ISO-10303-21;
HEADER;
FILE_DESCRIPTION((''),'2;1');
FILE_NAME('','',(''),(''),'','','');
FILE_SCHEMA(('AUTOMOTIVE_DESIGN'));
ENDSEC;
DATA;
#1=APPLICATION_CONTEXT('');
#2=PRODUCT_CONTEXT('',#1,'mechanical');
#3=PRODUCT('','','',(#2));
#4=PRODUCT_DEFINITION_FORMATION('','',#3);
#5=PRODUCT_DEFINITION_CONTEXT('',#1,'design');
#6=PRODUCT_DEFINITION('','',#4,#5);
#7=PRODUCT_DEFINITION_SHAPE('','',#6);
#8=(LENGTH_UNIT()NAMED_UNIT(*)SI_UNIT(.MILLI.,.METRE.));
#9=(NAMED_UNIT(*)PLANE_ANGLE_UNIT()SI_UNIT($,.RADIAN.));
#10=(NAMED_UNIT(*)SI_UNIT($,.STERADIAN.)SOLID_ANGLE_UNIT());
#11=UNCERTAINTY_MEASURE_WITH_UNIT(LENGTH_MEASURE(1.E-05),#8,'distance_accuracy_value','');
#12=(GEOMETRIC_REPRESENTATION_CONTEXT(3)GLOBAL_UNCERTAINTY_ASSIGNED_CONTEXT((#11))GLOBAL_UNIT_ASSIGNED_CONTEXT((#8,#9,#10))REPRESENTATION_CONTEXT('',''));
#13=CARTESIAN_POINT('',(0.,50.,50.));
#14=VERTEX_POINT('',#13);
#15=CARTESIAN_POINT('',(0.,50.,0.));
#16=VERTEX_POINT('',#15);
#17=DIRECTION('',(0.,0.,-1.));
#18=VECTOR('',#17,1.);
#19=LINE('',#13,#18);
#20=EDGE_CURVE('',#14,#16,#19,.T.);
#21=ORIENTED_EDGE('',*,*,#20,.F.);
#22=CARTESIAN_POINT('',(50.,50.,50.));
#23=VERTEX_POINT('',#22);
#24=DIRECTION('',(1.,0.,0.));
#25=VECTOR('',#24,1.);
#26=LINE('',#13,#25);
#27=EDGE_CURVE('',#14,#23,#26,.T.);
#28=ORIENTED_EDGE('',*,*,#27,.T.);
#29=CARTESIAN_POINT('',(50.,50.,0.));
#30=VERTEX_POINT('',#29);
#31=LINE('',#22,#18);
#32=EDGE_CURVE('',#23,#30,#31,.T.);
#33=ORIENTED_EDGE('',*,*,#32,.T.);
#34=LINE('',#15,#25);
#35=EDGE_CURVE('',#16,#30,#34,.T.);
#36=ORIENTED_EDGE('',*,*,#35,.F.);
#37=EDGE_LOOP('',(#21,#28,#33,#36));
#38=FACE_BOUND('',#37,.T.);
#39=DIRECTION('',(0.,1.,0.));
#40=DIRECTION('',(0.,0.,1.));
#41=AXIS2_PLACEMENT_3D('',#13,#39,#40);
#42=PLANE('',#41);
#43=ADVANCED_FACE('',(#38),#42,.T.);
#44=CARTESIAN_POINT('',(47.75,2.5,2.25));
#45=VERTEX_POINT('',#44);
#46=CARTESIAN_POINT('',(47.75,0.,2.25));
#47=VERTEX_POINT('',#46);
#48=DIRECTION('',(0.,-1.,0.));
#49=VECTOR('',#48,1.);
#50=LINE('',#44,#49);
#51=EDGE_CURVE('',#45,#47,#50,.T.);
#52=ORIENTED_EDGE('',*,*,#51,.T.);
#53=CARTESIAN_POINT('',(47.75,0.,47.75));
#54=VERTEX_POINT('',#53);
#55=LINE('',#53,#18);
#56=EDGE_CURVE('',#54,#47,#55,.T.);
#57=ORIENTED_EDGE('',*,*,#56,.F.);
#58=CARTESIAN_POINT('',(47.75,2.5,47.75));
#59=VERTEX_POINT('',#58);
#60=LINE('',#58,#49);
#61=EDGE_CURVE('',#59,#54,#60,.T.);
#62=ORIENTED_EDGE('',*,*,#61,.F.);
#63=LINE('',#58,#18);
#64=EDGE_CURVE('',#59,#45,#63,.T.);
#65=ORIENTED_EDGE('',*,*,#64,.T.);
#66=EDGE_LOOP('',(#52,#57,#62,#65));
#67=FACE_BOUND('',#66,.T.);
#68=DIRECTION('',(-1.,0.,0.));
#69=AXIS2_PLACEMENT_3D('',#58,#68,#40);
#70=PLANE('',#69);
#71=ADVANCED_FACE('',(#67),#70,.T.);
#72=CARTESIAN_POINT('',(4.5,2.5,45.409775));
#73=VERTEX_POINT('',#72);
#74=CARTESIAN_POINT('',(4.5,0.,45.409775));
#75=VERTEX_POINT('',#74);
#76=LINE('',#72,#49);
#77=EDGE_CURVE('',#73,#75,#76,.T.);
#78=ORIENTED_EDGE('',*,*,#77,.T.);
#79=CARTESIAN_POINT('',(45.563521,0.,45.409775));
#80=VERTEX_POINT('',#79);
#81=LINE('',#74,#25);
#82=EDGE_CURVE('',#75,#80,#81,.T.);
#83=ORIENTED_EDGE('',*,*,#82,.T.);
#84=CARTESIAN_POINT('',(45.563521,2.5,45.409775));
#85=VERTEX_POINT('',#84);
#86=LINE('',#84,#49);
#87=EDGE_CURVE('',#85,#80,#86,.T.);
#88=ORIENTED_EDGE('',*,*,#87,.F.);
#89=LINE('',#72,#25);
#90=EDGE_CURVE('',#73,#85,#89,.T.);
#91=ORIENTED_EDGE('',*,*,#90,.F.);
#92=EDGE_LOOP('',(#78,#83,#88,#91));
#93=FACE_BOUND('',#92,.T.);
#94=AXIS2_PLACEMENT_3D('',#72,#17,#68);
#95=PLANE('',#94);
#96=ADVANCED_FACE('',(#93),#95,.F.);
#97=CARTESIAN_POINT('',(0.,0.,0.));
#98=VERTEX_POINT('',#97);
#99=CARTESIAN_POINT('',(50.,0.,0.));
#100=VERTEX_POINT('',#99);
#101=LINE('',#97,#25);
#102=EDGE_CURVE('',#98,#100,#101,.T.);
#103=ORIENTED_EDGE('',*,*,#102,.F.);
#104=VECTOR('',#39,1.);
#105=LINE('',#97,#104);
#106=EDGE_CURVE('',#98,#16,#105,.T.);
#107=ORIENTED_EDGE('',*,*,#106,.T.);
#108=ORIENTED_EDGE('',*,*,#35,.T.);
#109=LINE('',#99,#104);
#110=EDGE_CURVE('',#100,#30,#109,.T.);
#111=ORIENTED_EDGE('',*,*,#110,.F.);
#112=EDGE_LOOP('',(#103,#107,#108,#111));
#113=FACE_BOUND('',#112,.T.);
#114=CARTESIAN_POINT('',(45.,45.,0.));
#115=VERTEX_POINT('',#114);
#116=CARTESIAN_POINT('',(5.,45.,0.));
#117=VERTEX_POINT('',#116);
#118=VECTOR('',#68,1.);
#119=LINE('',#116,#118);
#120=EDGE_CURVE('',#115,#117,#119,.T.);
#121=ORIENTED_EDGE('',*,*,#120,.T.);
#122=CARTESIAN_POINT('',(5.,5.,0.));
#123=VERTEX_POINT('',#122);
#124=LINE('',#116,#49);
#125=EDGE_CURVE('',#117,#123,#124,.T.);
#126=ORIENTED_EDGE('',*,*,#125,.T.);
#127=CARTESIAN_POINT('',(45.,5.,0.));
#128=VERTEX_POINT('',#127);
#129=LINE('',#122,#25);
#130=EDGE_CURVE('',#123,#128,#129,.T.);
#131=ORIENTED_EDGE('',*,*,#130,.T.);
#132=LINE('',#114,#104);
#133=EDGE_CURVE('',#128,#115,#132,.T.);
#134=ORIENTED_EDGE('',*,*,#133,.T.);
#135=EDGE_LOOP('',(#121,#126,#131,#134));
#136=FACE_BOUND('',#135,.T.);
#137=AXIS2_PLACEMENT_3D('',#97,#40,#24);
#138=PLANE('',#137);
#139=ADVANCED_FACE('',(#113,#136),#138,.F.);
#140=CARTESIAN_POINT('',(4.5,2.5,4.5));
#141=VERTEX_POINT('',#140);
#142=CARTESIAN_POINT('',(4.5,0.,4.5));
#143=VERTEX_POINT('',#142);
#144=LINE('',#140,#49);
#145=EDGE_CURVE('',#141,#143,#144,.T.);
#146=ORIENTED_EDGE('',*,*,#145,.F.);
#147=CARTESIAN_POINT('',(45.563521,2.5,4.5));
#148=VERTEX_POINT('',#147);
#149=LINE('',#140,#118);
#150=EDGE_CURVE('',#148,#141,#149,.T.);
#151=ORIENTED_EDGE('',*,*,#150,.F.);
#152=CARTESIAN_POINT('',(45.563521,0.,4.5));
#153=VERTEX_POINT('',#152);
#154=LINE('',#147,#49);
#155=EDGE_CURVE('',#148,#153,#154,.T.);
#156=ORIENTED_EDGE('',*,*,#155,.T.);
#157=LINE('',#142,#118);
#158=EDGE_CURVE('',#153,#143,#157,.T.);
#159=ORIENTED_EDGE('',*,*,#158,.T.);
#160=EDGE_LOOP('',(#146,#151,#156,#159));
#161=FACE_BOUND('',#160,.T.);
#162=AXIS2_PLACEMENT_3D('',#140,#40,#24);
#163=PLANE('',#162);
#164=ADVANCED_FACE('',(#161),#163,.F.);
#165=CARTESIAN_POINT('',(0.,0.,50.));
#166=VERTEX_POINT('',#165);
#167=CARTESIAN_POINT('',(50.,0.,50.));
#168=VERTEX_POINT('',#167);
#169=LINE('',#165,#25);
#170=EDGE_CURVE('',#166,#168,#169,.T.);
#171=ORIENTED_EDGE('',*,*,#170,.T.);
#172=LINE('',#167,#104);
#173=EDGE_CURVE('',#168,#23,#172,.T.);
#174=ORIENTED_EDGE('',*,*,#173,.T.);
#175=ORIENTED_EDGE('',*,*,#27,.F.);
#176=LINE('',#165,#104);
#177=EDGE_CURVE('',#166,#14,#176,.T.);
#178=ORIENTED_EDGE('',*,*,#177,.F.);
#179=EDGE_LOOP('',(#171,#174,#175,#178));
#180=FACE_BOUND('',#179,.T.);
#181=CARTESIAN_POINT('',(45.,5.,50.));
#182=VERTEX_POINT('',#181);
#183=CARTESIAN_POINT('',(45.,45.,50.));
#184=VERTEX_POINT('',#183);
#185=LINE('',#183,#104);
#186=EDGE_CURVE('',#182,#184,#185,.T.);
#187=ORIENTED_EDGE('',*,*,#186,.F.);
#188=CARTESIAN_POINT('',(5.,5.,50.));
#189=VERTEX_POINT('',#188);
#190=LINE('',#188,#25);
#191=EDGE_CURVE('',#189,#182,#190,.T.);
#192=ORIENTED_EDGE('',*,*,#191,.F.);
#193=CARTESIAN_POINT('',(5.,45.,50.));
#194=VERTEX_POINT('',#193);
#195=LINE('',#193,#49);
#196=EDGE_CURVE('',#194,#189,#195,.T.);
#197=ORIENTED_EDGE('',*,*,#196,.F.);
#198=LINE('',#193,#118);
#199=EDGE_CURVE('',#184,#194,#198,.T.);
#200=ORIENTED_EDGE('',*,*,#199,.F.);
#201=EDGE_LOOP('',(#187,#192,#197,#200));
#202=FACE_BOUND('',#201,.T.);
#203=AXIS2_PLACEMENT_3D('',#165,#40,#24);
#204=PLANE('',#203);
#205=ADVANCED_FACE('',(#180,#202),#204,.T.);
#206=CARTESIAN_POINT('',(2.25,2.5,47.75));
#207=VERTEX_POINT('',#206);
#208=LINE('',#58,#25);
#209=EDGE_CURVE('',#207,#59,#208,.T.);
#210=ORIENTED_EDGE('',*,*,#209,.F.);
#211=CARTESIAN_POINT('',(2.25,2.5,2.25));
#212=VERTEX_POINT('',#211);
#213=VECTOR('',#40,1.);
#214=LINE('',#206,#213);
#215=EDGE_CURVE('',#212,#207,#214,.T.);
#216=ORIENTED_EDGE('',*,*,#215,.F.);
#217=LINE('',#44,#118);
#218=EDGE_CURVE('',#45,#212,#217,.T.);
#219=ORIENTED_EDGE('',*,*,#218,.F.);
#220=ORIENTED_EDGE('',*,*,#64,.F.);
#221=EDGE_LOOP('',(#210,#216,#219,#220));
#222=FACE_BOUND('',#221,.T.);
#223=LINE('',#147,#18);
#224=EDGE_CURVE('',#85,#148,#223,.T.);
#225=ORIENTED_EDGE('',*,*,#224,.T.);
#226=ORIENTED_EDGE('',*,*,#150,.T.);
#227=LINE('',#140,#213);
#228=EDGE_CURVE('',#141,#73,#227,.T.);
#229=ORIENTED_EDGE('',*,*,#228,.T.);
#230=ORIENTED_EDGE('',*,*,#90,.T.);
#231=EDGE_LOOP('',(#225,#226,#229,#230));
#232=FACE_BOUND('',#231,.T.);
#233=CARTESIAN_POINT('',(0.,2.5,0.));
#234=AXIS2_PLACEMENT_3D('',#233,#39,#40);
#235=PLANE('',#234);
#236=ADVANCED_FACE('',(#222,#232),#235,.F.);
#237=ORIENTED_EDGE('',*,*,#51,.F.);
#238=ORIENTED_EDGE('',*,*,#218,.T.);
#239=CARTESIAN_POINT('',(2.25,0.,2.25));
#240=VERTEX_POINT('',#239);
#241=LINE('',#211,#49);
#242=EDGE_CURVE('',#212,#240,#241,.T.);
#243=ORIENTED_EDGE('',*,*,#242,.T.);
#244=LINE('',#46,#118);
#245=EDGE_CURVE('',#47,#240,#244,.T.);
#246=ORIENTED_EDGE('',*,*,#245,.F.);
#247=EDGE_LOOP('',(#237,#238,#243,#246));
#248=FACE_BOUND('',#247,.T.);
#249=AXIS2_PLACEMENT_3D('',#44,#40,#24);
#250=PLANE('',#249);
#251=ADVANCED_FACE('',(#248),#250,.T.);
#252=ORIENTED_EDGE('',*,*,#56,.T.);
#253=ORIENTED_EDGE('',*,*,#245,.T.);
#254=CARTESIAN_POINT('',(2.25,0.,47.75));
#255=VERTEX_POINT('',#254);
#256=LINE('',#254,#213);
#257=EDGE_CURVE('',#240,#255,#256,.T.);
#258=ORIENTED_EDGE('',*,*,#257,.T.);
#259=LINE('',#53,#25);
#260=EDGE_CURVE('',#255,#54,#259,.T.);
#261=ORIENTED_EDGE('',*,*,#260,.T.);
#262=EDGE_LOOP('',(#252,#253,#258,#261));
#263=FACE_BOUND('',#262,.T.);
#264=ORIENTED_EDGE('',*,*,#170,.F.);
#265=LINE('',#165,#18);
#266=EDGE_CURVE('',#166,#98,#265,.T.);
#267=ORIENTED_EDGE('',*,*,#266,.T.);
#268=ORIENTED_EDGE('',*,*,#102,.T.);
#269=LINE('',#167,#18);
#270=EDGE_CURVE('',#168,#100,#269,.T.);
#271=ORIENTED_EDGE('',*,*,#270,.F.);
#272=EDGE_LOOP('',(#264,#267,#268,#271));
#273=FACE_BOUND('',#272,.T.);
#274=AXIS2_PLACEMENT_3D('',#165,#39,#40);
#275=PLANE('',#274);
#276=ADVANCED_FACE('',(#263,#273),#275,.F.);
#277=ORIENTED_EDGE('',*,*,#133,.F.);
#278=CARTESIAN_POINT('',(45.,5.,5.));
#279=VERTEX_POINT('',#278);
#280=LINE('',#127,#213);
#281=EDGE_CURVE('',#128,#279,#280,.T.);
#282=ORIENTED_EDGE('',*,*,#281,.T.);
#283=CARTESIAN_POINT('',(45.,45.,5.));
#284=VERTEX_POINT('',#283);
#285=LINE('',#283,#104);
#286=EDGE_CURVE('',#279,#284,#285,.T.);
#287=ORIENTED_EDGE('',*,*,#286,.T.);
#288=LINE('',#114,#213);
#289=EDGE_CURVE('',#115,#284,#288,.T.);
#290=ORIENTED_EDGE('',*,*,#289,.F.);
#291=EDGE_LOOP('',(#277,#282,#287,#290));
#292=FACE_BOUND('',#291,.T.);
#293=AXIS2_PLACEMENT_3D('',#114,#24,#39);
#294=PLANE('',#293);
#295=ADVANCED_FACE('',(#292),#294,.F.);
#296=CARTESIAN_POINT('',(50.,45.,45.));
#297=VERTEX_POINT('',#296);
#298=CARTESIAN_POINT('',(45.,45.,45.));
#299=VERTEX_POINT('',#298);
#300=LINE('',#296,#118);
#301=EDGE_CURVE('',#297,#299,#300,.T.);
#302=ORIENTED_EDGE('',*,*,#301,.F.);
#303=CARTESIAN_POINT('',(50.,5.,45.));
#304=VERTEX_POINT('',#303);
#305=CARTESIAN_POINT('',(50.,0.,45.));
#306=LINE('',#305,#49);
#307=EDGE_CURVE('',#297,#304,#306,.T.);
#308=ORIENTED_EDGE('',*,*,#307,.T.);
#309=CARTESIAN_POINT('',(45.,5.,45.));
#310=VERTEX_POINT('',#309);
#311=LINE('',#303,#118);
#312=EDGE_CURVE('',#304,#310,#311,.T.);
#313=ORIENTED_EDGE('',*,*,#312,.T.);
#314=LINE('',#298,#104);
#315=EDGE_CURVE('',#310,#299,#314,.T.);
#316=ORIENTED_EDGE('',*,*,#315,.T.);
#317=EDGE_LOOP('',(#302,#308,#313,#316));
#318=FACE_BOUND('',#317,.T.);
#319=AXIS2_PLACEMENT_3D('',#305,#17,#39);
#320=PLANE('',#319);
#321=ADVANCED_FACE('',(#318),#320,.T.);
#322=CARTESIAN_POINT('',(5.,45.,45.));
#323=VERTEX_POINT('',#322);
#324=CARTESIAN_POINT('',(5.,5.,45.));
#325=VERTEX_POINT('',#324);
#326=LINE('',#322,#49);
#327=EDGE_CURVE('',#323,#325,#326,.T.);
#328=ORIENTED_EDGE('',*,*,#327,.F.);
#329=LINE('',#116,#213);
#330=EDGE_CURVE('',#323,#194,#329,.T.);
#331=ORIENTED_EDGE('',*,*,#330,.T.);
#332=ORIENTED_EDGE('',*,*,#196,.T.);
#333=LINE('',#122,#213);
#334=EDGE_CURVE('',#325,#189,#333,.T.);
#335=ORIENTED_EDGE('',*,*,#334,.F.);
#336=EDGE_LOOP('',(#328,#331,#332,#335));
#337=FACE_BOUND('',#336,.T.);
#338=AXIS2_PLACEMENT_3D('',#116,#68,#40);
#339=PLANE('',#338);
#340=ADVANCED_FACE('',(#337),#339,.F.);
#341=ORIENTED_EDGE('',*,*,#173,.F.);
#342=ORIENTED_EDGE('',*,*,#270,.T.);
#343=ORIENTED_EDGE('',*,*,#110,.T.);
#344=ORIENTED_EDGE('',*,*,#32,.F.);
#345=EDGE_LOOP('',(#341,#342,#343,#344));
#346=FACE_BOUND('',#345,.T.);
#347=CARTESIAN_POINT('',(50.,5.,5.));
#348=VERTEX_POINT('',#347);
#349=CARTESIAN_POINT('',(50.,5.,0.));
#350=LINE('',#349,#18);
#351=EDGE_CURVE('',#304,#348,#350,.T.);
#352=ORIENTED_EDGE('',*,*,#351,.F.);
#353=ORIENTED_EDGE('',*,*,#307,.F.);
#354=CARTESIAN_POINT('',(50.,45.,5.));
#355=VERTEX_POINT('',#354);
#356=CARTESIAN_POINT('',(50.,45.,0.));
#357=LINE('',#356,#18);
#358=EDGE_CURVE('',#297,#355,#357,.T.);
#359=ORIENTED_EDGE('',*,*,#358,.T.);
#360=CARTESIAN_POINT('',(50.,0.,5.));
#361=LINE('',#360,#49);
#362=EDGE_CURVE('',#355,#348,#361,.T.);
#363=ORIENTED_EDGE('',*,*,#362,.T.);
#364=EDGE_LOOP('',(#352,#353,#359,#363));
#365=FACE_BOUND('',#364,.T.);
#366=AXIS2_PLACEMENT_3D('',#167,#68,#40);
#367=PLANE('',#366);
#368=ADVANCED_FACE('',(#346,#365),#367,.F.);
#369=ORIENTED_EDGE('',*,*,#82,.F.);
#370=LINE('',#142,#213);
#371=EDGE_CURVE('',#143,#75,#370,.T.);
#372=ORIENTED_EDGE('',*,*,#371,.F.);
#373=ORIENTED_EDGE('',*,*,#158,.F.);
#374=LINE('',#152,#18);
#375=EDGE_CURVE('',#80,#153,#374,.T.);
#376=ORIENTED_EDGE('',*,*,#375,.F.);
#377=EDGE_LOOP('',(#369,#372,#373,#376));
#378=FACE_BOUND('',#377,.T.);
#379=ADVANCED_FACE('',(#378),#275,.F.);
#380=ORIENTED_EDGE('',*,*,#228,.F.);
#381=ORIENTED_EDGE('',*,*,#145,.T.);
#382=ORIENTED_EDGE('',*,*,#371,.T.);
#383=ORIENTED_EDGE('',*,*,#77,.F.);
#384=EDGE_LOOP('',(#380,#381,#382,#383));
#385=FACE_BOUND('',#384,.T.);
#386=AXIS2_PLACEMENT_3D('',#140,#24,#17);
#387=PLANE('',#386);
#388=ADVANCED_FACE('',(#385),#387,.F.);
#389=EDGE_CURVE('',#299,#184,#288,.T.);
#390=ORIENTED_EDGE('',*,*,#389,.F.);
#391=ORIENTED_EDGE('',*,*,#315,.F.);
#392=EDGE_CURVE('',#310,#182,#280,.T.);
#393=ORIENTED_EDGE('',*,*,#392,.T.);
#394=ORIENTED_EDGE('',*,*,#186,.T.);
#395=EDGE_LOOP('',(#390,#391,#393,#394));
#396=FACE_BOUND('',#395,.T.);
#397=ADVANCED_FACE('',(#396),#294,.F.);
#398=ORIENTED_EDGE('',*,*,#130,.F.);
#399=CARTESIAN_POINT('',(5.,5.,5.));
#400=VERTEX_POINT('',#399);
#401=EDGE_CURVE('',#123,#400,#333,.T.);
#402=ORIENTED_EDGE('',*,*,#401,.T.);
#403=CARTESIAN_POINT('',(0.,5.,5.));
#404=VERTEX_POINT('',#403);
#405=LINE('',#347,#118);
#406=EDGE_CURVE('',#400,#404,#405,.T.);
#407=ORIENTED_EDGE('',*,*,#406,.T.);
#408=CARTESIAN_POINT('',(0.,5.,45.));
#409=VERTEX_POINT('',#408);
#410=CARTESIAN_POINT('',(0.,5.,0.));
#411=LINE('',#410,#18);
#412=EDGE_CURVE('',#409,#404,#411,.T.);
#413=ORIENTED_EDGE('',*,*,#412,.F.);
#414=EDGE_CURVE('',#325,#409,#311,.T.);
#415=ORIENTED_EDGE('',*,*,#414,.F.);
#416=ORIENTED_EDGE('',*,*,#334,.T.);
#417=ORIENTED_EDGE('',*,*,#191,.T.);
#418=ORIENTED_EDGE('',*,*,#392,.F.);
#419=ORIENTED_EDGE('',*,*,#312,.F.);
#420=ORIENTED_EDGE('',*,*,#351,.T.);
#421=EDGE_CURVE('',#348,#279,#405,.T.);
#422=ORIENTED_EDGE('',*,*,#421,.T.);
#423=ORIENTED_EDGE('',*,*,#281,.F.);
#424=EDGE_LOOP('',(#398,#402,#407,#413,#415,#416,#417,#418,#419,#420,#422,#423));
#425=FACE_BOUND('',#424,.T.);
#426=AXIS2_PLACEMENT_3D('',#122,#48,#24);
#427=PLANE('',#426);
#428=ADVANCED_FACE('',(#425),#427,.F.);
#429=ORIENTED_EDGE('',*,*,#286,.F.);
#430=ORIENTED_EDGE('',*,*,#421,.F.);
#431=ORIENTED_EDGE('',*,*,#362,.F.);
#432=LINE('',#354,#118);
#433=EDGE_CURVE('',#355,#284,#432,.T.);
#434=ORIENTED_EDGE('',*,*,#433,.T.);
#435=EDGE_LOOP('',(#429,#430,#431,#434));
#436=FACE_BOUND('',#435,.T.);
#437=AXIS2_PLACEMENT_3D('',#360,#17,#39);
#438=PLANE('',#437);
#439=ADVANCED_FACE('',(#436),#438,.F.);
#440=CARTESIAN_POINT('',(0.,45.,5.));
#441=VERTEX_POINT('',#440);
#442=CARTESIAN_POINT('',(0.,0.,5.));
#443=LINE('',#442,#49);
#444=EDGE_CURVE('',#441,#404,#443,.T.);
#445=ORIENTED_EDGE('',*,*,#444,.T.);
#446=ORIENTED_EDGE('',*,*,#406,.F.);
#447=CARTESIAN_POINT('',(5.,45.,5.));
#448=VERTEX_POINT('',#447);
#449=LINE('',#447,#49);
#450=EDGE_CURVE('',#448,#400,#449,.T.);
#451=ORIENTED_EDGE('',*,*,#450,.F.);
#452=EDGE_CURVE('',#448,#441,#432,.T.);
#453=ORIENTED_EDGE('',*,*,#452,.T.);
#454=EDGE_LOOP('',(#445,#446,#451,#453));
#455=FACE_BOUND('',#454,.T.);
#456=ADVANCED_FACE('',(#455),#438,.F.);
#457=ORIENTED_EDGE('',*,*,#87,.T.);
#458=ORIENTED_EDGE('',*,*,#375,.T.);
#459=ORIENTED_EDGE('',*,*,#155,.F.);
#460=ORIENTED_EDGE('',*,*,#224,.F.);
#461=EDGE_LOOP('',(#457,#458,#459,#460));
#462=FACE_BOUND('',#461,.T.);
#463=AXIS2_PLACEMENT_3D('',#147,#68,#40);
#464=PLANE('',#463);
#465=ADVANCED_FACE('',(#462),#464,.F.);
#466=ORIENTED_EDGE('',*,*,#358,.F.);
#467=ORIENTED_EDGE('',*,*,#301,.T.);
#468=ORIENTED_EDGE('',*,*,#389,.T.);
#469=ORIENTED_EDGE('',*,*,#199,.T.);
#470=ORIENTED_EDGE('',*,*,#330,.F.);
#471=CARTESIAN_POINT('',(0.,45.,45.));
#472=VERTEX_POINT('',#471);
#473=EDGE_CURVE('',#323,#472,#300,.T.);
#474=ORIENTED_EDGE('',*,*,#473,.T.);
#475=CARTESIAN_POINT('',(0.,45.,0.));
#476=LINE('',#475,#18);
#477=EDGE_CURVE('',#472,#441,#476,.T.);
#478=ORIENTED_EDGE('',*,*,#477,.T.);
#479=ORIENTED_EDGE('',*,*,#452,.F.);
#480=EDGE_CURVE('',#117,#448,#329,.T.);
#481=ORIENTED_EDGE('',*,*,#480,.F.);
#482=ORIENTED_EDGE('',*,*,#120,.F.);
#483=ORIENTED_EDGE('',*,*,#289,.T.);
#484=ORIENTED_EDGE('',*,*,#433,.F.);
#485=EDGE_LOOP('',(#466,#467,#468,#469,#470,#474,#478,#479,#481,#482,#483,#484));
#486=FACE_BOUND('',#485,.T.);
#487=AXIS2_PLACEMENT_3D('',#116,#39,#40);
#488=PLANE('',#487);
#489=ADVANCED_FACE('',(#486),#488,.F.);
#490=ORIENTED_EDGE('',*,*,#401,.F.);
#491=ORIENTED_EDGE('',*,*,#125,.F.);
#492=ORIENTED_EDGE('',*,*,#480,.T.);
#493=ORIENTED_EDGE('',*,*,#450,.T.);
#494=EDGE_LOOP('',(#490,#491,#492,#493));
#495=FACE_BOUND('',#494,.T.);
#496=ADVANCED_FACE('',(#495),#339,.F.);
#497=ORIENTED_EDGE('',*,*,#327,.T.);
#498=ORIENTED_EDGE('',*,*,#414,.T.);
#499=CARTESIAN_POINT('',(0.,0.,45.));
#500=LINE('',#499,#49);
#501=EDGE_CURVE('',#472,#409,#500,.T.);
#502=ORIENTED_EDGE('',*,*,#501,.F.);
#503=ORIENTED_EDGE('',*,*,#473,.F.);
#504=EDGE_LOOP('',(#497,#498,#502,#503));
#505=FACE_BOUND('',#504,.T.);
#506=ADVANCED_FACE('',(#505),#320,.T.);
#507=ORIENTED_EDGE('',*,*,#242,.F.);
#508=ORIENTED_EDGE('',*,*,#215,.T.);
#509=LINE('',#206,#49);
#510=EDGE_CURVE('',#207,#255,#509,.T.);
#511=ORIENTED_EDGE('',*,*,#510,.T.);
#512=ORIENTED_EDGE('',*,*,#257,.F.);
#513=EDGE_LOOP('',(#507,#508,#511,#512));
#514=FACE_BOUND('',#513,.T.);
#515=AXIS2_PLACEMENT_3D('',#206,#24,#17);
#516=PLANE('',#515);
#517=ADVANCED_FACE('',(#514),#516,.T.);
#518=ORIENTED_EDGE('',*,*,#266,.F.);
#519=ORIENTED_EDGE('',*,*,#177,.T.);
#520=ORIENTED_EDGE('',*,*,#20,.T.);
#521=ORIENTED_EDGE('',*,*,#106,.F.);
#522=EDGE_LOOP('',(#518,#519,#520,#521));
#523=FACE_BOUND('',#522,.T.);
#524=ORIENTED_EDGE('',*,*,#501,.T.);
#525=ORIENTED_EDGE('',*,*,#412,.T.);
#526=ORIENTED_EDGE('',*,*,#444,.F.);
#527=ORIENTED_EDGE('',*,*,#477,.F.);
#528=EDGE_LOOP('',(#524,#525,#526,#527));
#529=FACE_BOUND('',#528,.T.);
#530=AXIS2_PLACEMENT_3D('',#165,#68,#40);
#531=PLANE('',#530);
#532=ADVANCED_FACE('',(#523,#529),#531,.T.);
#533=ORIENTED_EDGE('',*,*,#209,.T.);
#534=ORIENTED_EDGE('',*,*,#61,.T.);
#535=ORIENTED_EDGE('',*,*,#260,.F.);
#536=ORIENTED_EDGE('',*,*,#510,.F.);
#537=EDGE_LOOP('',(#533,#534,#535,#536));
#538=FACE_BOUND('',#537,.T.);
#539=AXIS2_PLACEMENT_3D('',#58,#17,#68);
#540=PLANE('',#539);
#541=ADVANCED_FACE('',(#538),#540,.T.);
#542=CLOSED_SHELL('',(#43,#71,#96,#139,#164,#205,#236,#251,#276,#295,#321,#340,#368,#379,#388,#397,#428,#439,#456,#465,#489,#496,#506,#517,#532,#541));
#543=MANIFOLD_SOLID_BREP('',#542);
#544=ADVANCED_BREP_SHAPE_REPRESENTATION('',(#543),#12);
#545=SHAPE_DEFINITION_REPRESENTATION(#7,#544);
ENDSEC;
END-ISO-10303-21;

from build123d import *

# Parameters (mm, degrees)
SKETCH2_W           = 50
SKETCH2_H           = 50
BOSS_EXTRUDE1_DEPTH = 50
SKETCH4_W           = 40
SKETCH4_H           = 40
CUT_EXTRUDE1_DEPTH  = 50
SKETCH7_W           = 40
SKETCH7_H           = 40
CUT_EXTRUDE2_DEPTH  = 50
SKETCH10_W          = 45.5
SKETCH10_H          = 45.5
SKETCH10_W_2        = 41.063521317
SKETCH10_H_2        = 40.909775363
CUT_EXTRUDE3_DEPTH  = 2.5


with BuildPart() as part:
    # Sketch2 → Boss-Extrude1 (new body)
    with BuildSketch(Plane.XY):
        with Locations((25, 25)):
            Rectangle(SKETCH2_W, SKETCH2_H)
    extrude(amount=BOSS_EXTRUDE1_DEPTH)

    # Sketch4 → Cut-Extrude1 (cut)
    with BuildSketch(Plane.XY.offset(50)):
        with Locations((25, 25)):
            Rectangle(SKETCH4_W, SKETCH4_H)
    extrude(amount=-CUT_EXTRUDE1_DEPTH, mode=Mode.SUBTRACT)

    # Sketch7 → Cut-Extrude2 (cut)
    with BuildSketch(Plane(origin=(0, 0, 0), x_dir=(0, 0, -1), z_dir=(1, 0, 0))):
        with Locations((-25, 25)):
            Rectangle(SKETCH7_W, SKETCH7_H)
    extrude(amount=CUT_EXTRUDE2_DEPTH, mode=Mode.SUBTRACT)

    # Sketch10 → Cut-Extrude3 (cut)
    with BuildSketch(Plane(origin=(0, 0, 0), x_dir=(1, 0, 0), z_dir=(0, 1, 0))):
        with Locations((25, -25)):
            Rectangle(SKETCH10_W, SKETCH10_H)
        with Locations((25.031760659, -24.954887682)):
            Rectangle(SKETCH10_W_2, SKETCH10_H_2, mode=Mode.SUBTRACT)
    extrude(amount=CUT_EXTRUDE3_DEPTH, mode=Mode.SUBTRACT)


solid = part.part
